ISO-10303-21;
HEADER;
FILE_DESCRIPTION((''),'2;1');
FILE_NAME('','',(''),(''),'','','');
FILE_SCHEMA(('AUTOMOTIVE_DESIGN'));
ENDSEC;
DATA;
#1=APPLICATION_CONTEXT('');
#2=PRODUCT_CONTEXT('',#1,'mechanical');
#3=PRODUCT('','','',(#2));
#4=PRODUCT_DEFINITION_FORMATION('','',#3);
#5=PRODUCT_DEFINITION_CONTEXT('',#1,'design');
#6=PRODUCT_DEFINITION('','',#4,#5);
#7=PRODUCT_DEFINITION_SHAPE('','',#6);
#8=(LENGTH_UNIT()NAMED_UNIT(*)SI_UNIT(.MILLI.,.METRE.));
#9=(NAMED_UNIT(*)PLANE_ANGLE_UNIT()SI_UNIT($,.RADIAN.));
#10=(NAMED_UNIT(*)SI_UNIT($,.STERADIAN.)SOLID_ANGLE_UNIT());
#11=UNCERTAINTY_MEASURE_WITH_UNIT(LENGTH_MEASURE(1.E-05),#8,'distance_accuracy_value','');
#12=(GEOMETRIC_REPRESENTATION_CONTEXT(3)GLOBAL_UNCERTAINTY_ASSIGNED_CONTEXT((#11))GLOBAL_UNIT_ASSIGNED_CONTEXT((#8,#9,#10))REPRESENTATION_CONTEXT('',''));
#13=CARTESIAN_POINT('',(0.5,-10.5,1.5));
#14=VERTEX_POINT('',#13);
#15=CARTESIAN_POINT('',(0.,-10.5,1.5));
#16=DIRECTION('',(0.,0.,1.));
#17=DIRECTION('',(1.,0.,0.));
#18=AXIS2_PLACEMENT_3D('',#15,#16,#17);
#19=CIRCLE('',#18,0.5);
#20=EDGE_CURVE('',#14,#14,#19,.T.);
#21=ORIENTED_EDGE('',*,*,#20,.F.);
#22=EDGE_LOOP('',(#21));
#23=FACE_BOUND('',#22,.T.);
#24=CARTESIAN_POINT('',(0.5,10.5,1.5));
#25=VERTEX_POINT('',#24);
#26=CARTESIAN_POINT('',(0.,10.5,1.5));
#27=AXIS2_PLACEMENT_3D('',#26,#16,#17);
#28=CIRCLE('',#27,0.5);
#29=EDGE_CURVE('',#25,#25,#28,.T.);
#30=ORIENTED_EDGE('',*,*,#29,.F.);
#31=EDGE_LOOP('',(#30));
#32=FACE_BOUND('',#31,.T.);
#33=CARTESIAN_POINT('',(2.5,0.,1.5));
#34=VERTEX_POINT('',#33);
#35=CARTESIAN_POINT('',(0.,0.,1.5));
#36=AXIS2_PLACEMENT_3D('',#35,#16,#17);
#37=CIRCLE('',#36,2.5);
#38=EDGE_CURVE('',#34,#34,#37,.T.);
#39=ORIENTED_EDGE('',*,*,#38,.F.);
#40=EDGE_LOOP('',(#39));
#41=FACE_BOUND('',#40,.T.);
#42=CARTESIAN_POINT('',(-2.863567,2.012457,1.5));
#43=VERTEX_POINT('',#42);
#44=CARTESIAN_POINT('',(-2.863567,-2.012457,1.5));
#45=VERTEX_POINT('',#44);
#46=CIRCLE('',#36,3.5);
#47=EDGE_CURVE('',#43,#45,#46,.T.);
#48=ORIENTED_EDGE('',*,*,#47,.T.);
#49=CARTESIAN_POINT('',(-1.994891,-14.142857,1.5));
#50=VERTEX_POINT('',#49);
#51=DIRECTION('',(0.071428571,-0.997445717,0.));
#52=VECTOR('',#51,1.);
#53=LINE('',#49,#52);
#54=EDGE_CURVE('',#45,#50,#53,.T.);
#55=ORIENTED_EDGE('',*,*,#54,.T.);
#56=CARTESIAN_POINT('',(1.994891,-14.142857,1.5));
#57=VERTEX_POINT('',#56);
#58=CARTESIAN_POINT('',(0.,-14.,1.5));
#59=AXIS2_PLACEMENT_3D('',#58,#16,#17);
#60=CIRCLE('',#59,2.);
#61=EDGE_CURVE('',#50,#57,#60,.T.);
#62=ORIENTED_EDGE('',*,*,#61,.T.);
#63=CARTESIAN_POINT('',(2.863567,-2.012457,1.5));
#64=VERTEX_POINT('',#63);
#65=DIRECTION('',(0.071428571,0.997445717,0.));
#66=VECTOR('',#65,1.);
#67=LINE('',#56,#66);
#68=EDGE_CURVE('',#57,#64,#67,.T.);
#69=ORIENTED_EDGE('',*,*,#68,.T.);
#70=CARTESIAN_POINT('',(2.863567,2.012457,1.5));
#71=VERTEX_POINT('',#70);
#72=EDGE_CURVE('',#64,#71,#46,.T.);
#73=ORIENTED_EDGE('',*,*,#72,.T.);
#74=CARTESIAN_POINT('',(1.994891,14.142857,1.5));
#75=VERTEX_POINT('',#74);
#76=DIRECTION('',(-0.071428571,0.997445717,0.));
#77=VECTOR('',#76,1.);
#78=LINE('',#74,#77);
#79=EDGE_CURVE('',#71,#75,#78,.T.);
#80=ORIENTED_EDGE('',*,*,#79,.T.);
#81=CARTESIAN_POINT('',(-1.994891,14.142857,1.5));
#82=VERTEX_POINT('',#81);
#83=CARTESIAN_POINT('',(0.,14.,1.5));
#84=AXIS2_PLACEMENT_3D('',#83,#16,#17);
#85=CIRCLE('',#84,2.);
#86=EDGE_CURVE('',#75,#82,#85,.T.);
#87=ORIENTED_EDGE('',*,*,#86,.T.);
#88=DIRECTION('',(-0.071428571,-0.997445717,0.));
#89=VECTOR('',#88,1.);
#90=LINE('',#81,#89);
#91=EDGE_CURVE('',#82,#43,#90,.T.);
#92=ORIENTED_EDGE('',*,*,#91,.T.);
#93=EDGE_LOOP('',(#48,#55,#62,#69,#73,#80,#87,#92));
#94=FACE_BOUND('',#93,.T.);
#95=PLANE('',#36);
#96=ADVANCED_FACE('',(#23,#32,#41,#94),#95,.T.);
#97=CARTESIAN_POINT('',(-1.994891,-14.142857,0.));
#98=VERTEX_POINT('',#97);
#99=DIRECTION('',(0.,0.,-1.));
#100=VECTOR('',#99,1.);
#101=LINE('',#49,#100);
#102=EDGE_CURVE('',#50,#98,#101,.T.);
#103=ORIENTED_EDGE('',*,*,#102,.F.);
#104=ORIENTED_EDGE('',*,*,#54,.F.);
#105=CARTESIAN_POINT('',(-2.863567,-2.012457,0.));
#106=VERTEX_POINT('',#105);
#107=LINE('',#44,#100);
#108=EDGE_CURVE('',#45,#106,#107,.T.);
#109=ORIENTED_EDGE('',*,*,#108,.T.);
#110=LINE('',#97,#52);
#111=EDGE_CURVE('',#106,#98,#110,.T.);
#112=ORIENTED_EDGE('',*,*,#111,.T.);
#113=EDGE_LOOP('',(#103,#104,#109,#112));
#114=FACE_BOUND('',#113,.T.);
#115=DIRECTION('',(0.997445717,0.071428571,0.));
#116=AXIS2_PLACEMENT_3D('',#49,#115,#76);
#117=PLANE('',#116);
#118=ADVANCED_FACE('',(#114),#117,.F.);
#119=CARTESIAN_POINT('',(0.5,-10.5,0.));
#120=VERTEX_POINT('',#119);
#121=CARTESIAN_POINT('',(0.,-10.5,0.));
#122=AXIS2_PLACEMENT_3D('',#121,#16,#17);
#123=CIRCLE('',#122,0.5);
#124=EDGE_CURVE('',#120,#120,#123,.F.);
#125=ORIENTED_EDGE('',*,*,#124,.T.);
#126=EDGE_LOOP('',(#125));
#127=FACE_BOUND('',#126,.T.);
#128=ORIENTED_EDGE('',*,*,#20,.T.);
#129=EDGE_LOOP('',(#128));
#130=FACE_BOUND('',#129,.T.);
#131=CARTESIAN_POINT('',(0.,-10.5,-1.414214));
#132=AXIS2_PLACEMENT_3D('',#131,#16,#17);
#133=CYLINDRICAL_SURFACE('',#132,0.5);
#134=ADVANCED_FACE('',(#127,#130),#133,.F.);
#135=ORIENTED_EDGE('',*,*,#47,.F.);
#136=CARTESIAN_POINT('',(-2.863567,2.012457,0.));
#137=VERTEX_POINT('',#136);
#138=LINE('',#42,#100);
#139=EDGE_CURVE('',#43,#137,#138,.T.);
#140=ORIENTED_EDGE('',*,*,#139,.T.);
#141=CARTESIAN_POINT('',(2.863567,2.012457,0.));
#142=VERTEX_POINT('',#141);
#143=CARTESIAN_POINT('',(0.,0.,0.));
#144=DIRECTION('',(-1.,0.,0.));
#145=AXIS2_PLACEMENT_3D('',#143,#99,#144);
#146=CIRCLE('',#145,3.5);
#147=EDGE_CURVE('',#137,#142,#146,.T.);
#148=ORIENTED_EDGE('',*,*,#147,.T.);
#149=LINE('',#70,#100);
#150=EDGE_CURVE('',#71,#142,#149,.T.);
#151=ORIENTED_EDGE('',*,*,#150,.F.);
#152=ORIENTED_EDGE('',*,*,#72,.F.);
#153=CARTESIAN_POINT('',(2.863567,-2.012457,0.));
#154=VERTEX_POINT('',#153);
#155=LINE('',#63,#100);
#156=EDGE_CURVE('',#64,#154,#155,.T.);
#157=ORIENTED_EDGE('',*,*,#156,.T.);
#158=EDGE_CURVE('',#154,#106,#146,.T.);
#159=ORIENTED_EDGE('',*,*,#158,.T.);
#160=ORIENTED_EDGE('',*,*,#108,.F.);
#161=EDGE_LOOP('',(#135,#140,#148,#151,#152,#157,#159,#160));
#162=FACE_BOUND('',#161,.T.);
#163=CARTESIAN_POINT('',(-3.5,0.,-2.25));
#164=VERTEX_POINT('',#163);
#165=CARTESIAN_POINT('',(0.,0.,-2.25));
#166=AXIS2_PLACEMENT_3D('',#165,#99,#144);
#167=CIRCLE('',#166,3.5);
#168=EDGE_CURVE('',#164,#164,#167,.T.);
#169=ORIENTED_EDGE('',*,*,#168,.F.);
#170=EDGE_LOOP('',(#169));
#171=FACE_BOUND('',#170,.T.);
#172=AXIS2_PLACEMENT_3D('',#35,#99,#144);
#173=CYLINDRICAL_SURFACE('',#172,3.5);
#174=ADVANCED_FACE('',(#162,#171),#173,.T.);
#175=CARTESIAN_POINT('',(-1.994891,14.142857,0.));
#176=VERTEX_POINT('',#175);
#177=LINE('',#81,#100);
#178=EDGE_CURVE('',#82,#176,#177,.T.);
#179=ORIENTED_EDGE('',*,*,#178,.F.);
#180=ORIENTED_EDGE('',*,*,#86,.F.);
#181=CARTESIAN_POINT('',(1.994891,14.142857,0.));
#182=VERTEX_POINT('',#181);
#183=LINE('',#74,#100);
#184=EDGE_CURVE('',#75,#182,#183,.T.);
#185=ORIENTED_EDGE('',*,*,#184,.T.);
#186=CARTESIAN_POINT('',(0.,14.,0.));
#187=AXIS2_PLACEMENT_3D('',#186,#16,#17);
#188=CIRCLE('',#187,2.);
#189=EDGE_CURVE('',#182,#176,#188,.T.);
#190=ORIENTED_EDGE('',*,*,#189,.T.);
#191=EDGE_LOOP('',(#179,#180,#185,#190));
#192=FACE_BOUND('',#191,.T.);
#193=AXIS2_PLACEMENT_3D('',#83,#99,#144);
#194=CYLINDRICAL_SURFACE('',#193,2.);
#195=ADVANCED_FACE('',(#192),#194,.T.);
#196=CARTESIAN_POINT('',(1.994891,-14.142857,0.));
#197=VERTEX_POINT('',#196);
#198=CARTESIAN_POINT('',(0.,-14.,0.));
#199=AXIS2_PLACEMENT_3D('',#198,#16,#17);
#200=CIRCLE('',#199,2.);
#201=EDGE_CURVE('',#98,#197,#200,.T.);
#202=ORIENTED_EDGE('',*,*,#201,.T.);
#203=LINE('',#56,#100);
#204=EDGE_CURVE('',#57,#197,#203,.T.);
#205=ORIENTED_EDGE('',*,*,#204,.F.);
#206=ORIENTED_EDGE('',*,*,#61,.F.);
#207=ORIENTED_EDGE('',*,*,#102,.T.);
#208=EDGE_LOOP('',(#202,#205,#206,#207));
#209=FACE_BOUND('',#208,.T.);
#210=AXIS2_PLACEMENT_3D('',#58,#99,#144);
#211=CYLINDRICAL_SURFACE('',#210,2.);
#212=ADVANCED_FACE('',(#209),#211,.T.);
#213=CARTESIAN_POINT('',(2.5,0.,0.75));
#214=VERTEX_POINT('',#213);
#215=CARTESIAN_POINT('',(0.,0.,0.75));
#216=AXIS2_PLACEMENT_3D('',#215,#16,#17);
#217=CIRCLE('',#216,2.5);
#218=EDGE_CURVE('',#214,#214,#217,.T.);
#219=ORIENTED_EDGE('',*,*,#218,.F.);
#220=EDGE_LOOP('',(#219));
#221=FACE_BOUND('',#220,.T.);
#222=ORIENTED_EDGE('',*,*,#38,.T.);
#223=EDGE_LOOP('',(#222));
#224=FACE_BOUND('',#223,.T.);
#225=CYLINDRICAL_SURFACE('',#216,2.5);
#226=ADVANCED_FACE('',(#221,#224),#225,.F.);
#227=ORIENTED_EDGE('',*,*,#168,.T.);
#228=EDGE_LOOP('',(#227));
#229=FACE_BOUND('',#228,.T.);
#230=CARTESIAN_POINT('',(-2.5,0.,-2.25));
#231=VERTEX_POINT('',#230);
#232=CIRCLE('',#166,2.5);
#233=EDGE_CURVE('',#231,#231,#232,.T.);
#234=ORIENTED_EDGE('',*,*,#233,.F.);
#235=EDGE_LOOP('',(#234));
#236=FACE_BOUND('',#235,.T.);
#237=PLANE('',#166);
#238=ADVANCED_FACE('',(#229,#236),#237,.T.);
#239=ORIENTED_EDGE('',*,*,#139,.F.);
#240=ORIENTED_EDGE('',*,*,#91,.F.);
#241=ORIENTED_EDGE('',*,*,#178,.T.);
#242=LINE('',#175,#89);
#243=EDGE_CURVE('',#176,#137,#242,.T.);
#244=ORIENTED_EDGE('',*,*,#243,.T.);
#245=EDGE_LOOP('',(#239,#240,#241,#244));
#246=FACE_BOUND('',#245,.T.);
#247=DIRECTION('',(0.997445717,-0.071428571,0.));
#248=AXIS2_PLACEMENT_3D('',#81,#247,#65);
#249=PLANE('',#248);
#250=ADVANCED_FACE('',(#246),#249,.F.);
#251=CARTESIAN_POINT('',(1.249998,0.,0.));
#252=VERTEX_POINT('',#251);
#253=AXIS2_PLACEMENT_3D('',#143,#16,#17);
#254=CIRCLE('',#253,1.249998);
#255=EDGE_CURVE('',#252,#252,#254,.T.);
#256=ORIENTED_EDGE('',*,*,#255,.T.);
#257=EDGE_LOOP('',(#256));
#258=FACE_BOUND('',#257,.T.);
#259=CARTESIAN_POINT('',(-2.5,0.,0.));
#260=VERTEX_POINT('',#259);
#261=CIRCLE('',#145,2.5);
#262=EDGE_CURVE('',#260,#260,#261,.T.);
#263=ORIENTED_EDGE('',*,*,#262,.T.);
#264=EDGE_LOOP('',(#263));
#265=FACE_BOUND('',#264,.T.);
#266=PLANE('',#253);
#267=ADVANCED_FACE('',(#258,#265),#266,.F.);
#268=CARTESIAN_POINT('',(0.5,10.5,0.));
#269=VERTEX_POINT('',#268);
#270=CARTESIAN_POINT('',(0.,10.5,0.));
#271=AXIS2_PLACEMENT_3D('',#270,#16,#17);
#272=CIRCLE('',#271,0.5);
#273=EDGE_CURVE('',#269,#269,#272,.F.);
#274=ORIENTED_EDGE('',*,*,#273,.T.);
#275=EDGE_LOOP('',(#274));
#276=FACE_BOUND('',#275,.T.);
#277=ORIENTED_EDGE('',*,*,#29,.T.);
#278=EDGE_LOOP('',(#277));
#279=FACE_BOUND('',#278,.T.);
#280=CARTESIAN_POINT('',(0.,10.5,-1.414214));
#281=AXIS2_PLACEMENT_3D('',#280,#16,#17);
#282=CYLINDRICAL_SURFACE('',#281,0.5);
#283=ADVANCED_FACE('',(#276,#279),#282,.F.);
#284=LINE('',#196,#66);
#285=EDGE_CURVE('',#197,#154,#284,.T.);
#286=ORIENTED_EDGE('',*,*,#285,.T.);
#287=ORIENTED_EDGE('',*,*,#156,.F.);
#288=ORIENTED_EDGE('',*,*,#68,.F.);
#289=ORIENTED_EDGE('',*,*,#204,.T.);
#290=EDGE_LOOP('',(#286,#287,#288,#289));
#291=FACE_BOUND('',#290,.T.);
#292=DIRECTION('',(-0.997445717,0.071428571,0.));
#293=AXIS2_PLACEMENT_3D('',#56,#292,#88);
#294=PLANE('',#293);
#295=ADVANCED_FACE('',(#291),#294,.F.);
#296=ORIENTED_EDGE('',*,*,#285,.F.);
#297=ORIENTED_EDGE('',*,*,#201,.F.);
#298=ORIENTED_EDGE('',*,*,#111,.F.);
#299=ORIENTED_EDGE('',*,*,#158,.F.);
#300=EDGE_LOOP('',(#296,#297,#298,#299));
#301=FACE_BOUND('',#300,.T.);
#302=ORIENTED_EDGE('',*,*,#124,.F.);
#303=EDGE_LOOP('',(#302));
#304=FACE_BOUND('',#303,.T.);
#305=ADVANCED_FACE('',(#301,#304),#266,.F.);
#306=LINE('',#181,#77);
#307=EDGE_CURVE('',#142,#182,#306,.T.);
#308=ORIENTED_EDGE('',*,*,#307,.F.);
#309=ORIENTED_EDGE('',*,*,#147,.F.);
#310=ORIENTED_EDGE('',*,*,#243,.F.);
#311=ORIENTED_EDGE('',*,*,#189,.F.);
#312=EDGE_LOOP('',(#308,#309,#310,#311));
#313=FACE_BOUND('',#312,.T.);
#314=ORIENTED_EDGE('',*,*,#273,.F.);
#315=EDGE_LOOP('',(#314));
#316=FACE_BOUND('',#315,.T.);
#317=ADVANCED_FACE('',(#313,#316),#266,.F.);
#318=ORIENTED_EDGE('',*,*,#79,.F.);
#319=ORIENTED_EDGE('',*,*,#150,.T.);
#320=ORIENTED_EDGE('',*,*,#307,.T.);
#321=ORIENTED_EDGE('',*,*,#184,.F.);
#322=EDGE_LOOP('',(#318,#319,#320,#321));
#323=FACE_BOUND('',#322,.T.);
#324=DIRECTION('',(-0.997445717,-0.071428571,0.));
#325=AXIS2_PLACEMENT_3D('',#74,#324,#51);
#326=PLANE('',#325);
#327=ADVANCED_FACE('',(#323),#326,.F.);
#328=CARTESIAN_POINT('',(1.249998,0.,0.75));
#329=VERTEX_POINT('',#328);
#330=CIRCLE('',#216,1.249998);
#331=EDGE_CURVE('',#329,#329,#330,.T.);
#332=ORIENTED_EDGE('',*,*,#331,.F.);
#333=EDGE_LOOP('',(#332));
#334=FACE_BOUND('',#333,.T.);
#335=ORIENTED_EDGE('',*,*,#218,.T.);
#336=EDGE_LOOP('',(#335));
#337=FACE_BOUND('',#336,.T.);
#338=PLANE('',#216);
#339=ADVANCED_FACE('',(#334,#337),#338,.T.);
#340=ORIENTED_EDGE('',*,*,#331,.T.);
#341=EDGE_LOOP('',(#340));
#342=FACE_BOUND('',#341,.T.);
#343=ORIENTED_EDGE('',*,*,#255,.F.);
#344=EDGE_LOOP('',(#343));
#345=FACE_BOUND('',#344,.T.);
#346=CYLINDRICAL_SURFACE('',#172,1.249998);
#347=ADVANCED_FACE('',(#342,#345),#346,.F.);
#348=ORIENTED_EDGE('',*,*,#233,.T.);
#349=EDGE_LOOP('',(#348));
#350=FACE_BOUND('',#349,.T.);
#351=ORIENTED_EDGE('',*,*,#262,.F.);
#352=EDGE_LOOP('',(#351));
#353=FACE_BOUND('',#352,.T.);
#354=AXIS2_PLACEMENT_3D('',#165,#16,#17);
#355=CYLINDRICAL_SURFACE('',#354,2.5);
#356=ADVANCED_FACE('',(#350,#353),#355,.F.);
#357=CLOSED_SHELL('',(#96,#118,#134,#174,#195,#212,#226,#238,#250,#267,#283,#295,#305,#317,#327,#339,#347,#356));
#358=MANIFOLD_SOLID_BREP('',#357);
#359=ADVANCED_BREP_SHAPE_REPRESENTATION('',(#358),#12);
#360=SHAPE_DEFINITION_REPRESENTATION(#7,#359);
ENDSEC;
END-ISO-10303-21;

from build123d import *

# Parameters (mm, degrees)
SKETCH1_R           = 1.2499975
BOSS_EXTRUDE1_DEPTH = 1.5
SKETCH2_R           = 0.5
CUT_EXTRUDE1_DEPTH  = 1.5
SKETCH4_R           = 3.5
SKETCH4_R_2         = 2.5
BOSS_EXTRUDE2_DEPTH = 2.25
SKETCH5_R           = 2.5
SKETCH5_R_2         = 1.2499975
CUT_EXTRUDE2_DEPTH  = 0.75


with BuildPart() as part:
    # Sketch1 → Boss-Extrude1 (new body)
    with BuildSketch(Plane.XY):
        with BuildLine():
            Line((-1.994891435, 14.142857143), (-2.863567464, 2.012456554))
            ThreePointArc((-2.863567464, 2.012456554), (-3.5, 0), (-2.863567464, -2.012456554))
            Line((-2.863567464, -2.012456554), (-1.994891435, -14.142857143))
            ThreePointArc((-1.994891435, -14.142857143), (0, -16), (1.994891435, -14.142857143))
            Line((1.994891435, -14.142857143), (2.863567464, -2.012456554))
            ThreePointArc((2.863567464, -2.012456554), (3.5, 0), (2.863567464, 2.012456554))
            Line((2.863567464, 2.012456554), (1.994891435, 14.142857143))
            ThreePointArc((1.994891435, 14.142857143), (0, 16), (-1.994891435, 14.142857143))
        make_face()
        Circle(SKETCH1_R, mode=Mode.SUBTRACT)
    extrude(amount=BOSS_EXTRUDE1_DEPTH)

    # Sketch2 → Cut-Extrude1 (cut)
    with BuildSketch(Plane.XY.offset(1.5)):
        with Locations((0, 10.5)):
            Circle(SKETCH2_R)
        with Locations((0, -10.5)):
            Circle(SKETCH2_R)
    extrude(amount=-CUT_EXTRUDE1_DEPTH, mode=Mode.SUBTRACT)

    # Sketch4 → Boss-Extrude2 (add)
    with BuildSketch(Plane(origin=(0, 0, 0), x_dir=(-1, 0, 0), z_dir=(0, 0, -1))):
        Circle(SKETCH4_R)
        Circle(SKETCH4_R_2, mode=Mode.SUBTRACT)
    extrude(amount=BOSS_EXTRUDE2_DEPTH)

    # Sketch5 → Cut-Extrude2 (cut)
    with BuildSketch(Plane.XY.offset(1.5)):
        Circle(SKETCH5_R)
        Circle(SKETCH5_R_2, mode=Mode.SUBTRACT)
    extrude(amount=-CUT_EXTRUDE2_DEPTH, mode=Mode.SUBTRACT)


solid = part.part
